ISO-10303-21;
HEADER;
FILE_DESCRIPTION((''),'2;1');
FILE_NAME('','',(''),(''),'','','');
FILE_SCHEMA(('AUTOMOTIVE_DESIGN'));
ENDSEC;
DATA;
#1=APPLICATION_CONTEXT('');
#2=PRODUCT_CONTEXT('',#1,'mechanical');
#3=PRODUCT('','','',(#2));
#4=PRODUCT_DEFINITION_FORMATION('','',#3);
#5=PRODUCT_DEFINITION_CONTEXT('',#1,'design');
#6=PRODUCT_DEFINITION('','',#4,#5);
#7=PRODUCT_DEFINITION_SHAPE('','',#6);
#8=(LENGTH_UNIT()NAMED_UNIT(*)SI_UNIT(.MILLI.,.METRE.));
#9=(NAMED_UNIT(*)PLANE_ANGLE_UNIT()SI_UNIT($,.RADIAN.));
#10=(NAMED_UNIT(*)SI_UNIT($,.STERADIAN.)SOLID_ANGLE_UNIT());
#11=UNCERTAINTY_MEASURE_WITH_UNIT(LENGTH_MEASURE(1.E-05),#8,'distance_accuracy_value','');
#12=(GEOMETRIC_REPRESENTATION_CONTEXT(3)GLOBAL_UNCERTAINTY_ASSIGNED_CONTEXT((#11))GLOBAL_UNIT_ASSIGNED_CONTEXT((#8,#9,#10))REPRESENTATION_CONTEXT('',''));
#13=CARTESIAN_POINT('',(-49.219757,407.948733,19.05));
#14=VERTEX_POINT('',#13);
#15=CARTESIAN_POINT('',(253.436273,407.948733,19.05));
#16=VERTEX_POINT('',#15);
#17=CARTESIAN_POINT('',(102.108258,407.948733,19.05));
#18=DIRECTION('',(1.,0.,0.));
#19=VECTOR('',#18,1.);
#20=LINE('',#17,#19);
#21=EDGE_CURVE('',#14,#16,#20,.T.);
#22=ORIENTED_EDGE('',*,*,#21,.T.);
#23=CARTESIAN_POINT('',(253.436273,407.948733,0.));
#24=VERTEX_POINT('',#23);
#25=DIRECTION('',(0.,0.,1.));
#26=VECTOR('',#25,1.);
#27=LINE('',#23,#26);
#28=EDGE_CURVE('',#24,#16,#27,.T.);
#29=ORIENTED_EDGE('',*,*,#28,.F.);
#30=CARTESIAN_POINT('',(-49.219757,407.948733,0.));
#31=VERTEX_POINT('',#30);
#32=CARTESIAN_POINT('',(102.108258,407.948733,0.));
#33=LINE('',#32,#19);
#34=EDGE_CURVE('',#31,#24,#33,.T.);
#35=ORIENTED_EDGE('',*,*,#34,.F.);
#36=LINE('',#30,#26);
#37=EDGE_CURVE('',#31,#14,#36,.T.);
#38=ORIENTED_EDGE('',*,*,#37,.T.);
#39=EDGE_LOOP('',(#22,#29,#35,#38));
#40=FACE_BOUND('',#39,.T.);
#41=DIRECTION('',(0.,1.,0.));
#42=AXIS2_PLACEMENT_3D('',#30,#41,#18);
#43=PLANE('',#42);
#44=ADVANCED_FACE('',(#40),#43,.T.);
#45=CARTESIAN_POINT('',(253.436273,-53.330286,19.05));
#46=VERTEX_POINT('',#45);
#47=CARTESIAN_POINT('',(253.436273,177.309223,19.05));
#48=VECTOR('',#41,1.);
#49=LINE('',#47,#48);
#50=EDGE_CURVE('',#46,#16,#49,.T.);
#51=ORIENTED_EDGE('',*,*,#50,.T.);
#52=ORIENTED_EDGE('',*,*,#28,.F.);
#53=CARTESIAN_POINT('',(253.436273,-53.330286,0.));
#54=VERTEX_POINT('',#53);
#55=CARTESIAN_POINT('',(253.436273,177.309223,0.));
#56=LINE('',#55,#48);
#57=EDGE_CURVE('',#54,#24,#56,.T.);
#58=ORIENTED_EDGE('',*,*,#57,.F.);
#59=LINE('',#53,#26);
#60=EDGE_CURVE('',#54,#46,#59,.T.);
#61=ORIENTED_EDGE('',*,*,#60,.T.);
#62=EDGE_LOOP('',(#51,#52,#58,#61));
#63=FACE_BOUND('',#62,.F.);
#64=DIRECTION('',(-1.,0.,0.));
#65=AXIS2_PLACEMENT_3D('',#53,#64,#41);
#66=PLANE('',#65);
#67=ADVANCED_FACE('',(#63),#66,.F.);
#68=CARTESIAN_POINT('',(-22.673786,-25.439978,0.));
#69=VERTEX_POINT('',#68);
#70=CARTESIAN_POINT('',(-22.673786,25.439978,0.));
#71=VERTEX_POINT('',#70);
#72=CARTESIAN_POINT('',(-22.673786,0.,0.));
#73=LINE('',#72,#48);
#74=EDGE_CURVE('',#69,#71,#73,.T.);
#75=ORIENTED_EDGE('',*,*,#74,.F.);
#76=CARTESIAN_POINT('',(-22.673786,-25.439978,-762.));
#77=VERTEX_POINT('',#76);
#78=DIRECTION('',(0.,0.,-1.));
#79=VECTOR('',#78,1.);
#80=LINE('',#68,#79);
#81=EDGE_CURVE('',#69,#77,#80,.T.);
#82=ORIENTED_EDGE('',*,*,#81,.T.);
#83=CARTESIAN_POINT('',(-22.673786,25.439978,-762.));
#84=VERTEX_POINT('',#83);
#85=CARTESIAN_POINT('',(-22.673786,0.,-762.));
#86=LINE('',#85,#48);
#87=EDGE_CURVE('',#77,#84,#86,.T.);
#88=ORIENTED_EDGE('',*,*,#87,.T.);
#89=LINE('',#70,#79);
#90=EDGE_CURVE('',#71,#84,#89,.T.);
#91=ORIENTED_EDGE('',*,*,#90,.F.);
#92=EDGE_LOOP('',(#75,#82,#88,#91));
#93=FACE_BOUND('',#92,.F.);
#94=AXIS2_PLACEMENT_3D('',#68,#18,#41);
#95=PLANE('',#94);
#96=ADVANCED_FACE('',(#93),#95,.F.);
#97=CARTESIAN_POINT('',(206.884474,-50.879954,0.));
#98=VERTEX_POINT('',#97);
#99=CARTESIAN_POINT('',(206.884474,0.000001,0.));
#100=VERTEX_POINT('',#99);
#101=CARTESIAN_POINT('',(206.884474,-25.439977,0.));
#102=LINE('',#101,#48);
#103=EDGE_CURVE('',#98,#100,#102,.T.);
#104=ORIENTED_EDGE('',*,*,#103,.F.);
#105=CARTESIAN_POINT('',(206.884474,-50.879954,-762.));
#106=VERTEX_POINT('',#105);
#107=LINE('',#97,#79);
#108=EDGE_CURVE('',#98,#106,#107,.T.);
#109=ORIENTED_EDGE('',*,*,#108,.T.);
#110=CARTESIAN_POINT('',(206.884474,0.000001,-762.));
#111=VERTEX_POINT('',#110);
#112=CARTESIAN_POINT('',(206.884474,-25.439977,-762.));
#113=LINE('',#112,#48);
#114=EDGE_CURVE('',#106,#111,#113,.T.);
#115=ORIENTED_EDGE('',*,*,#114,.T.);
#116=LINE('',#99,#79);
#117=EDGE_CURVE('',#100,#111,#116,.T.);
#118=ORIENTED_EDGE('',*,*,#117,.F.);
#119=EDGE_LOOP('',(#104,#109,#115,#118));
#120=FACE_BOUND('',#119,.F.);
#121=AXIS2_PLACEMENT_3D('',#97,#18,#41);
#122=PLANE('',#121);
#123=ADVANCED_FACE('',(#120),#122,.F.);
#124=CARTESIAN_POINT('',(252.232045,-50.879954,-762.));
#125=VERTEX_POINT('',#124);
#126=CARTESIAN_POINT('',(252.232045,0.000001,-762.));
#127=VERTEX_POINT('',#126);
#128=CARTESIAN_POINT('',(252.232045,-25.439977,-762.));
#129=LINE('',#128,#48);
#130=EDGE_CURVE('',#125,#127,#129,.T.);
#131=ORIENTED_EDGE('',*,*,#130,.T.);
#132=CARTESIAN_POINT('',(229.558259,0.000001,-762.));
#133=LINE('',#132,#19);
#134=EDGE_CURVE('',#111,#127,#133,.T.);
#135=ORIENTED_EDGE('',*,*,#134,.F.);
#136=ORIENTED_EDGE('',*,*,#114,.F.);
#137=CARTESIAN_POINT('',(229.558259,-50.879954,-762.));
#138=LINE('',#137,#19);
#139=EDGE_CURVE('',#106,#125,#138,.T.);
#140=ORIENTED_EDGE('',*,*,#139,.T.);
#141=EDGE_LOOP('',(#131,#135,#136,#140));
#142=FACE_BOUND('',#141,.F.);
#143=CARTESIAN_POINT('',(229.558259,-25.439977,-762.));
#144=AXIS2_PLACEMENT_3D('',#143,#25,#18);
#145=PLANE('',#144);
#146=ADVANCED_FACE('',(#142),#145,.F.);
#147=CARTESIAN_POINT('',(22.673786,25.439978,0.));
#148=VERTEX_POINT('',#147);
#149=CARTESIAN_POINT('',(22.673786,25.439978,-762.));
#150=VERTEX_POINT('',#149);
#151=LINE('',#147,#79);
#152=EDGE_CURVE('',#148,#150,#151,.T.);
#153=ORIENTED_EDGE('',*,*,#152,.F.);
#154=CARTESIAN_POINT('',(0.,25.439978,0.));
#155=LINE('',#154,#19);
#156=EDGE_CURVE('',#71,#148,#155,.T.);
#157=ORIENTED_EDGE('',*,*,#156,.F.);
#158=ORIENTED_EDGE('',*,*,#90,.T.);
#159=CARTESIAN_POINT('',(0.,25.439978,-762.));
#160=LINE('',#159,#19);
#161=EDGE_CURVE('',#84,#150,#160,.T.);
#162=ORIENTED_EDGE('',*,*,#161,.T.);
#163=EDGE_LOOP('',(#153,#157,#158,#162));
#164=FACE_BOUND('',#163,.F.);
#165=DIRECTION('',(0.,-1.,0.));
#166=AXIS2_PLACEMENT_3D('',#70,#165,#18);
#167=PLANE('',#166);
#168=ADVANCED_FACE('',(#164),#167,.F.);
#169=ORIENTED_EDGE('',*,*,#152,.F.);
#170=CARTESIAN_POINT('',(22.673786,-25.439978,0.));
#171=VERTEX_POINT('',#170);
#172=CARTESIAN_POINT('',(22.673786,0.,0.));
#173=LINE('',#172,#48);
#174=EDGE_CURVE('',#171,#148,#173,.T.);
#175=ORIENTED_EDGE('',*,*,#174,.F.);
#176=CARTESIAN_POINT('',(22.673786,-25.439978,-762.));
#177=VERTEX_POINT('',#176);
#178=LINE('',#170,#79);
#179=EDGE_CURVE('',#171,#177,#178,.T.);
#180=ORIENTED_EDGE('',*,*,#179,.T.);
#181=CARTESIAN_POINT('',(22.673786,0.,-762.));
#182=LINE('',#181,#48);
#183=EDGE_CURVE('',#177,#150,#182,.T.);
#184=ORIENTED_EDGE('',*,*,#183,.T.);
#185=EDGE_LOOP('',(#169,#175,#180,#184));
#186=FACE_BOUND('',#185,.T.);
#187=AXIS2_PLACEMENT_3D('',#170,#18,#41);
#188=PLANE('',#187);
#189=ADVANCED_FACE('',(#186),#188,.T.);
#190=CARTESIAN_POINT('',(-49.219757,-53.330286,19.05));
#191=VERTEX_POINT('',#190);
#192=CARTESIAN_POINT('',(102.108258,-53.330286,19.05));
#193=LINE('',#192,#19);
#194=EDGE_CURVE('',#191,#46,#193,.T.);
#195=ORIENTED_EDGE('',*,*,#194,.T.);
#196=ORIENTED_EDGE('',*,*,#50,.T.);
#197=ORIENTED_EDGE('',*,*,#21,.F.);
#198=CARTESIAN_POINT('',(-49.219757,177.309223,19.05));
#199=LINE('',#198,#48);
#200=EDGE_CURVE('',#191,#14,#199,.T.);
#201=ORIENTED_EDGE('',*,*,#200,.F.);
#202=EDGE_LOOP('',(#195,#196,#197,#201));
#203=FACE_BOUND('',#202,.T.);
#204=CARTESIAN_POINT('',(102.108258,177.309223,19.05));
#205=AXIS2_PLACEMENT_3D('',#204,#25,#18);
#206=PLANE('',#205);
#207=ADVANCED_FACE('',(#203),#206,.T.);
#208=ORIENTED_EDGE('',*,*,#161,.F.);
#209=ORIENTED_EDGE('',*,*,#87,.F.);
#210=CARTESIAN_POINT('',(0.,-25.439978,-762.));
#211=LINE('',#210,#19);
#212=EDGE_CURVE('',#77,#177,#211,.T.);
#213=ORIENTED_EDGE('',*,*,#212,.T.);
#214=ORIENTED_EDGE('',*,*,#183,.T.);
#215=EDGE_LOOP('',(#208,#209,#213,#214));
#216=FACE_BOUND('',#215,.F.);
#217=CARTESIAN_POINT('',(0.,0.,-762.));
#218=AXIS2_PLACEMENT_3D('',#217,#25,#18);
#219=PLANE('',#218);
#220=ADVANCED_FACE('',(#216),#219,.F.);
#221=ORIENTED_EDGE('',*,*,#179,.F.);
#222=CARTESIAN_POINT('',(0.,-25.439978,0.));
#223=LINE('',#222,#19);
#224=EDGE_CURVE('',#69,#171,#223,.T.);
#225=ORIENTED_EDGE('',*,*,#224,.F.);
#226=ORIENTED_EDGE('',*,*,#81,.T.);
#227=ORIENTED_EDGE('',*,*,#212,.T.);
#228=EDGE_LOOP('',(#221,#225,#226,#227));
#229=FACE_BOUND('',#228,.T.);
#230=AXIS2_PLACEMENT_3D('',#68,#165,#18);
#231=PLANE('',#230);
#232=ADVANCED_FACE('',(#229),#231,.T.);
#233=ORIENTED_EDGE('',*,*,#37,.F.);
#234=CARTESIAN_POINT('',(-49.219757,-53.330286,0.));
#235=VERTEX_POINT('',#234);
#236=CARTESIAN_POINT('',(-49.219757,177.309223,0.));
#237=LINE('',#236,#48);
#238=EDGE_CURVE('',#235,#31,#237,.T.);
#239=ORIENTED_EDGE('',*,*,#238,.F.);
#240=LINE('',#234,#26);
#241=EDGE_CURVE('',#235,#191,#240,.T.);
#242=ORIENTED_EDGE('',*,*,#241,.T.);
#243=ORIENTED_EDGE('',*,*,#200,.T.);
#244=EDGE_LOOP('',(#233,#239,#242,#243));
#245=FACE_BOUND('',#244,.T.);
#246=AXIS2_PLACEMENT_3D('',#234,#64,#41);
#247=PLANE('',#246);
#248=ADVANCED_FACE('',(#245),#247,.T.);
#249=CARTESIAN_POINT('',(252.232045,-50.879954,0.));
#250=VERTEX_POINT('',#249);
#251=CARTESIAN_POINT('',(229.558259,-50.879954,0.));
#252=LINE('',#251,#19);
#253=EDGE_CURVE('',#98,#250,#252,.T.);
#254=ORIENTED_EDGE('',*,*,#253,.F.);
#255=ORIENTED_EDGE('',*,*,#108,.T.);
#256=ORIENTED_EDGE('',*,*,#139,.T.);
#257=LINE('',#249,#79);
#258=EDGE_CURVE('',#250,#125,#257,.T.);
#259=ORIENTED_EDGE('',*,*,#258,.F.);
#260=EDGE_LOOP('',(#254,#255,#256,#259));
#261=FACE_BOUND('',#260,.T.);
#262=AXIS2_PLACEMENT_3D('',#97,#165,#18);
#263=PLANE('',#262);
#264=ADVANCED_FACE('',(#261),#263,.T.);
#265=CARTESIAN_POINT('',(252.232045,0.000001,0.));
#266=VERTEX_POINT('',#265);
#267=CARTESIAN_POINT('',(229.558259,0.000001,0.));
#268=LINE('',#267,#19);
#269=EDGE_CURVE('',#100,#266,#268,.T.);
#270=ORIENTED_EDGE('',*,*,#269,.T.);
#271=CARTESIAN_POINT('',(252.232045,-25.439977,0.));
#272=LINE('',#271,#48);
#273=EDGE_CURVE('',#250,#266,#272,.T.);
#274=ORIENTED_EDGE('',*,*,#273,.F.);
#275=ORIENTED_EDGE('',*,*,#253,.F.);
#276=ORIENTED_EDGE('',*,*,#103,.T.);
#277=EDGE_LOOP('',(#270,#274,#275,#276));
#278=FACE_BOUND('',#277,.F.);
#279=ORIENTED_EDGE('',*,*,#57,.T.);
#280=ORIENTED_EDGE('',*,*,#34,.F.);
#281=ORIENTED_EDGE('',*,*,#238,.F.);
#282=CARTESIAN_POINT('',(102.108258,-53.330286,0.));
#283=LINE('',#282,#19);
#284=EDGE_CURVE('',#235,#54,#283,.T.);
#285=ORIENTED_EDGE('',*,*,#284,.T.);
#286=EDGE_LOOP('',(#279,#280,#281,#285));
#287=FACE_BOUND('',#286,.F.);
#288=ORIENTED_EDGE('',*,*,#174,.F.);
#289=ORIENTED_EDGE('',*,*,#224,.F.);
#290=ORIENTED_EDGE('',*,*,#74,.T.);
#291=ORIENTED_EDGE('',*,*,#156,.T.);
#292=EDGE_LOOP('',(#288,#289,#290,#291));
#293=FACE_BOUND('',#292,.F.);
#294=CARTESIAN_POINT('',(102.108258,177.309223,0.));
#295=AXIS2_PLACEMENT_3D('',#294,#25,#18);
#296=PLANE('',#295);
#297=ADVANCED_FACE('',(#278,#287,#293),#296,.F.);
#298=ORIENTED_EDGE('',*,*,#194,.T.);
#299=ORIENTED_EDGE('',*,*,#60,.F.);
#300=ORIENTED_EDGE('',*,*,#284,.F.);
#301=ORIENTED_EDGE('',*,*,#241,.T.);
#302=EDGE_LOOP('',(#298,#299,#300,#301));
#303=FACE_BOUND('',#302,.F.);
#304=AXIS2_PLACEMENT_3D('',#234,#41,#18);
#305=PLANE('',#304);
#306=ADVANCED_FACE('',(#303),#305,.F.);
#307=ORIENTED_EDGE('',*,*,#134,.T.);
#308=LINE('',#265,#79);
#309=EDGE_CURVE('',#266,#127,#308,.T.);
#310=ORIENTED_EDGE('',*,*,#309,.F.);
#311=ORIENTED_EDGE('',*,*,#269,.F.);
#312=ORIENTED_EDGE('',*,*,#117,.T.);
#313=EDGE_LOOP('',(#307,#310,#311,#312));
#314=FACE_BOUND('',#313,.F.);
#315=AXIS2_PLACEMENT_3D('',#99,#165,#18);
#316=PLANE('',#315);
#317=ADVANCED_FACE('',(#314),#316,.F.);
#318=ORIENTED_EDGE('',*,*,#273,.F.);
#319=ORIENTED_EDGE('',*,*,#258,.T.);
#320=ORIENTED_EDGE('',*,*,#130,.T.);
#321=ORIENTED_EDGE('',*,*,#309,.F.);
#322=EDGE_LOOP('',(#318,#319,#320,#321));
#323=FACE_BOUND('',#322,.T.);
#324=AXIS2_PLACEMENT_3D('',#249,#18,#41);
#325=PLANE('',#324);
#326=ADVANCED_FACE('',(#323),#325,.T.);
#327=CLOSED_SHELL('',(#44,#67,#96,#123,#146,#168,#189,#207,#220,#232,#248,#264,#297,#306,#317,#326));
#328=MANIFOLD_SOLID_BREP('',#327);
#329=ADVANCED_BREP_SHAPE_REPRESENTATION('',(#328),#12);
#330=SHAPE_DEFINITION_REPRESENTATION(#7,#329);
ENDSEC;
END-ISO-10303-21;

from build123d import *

# Parameters (mm, degrees)
F0_W     = 302.65603
F0_H     = 461.279019
F1_DEPTH = 19.05
F2_W     = 45.347571
F2_H     = 50.879955
F2_W_2   = 45.347572
F2_H_2   = 50.879956
F3_DEPTH = 762


with BuildPart() as f1:
    # F0 (on Top) → F1 (new body)
    with BuildSketch(Plane.XY):
        with Locations((102.108258, 177.309223)):
            Rectangle(F0_W, F0_H)
    extrude(amount=F1_DEPTH)

    # F2 (on Top) → F3 (join)
    with BuildSketch(Plane.XY):
        with Locations((229.558259, -25.439977)):
            Rectangle(F2_W, F2_H)
        Rectangle(F2_W_2, F2_H_2)
    extrude(amount=-F3_DEPTH)


solid = f1.part
